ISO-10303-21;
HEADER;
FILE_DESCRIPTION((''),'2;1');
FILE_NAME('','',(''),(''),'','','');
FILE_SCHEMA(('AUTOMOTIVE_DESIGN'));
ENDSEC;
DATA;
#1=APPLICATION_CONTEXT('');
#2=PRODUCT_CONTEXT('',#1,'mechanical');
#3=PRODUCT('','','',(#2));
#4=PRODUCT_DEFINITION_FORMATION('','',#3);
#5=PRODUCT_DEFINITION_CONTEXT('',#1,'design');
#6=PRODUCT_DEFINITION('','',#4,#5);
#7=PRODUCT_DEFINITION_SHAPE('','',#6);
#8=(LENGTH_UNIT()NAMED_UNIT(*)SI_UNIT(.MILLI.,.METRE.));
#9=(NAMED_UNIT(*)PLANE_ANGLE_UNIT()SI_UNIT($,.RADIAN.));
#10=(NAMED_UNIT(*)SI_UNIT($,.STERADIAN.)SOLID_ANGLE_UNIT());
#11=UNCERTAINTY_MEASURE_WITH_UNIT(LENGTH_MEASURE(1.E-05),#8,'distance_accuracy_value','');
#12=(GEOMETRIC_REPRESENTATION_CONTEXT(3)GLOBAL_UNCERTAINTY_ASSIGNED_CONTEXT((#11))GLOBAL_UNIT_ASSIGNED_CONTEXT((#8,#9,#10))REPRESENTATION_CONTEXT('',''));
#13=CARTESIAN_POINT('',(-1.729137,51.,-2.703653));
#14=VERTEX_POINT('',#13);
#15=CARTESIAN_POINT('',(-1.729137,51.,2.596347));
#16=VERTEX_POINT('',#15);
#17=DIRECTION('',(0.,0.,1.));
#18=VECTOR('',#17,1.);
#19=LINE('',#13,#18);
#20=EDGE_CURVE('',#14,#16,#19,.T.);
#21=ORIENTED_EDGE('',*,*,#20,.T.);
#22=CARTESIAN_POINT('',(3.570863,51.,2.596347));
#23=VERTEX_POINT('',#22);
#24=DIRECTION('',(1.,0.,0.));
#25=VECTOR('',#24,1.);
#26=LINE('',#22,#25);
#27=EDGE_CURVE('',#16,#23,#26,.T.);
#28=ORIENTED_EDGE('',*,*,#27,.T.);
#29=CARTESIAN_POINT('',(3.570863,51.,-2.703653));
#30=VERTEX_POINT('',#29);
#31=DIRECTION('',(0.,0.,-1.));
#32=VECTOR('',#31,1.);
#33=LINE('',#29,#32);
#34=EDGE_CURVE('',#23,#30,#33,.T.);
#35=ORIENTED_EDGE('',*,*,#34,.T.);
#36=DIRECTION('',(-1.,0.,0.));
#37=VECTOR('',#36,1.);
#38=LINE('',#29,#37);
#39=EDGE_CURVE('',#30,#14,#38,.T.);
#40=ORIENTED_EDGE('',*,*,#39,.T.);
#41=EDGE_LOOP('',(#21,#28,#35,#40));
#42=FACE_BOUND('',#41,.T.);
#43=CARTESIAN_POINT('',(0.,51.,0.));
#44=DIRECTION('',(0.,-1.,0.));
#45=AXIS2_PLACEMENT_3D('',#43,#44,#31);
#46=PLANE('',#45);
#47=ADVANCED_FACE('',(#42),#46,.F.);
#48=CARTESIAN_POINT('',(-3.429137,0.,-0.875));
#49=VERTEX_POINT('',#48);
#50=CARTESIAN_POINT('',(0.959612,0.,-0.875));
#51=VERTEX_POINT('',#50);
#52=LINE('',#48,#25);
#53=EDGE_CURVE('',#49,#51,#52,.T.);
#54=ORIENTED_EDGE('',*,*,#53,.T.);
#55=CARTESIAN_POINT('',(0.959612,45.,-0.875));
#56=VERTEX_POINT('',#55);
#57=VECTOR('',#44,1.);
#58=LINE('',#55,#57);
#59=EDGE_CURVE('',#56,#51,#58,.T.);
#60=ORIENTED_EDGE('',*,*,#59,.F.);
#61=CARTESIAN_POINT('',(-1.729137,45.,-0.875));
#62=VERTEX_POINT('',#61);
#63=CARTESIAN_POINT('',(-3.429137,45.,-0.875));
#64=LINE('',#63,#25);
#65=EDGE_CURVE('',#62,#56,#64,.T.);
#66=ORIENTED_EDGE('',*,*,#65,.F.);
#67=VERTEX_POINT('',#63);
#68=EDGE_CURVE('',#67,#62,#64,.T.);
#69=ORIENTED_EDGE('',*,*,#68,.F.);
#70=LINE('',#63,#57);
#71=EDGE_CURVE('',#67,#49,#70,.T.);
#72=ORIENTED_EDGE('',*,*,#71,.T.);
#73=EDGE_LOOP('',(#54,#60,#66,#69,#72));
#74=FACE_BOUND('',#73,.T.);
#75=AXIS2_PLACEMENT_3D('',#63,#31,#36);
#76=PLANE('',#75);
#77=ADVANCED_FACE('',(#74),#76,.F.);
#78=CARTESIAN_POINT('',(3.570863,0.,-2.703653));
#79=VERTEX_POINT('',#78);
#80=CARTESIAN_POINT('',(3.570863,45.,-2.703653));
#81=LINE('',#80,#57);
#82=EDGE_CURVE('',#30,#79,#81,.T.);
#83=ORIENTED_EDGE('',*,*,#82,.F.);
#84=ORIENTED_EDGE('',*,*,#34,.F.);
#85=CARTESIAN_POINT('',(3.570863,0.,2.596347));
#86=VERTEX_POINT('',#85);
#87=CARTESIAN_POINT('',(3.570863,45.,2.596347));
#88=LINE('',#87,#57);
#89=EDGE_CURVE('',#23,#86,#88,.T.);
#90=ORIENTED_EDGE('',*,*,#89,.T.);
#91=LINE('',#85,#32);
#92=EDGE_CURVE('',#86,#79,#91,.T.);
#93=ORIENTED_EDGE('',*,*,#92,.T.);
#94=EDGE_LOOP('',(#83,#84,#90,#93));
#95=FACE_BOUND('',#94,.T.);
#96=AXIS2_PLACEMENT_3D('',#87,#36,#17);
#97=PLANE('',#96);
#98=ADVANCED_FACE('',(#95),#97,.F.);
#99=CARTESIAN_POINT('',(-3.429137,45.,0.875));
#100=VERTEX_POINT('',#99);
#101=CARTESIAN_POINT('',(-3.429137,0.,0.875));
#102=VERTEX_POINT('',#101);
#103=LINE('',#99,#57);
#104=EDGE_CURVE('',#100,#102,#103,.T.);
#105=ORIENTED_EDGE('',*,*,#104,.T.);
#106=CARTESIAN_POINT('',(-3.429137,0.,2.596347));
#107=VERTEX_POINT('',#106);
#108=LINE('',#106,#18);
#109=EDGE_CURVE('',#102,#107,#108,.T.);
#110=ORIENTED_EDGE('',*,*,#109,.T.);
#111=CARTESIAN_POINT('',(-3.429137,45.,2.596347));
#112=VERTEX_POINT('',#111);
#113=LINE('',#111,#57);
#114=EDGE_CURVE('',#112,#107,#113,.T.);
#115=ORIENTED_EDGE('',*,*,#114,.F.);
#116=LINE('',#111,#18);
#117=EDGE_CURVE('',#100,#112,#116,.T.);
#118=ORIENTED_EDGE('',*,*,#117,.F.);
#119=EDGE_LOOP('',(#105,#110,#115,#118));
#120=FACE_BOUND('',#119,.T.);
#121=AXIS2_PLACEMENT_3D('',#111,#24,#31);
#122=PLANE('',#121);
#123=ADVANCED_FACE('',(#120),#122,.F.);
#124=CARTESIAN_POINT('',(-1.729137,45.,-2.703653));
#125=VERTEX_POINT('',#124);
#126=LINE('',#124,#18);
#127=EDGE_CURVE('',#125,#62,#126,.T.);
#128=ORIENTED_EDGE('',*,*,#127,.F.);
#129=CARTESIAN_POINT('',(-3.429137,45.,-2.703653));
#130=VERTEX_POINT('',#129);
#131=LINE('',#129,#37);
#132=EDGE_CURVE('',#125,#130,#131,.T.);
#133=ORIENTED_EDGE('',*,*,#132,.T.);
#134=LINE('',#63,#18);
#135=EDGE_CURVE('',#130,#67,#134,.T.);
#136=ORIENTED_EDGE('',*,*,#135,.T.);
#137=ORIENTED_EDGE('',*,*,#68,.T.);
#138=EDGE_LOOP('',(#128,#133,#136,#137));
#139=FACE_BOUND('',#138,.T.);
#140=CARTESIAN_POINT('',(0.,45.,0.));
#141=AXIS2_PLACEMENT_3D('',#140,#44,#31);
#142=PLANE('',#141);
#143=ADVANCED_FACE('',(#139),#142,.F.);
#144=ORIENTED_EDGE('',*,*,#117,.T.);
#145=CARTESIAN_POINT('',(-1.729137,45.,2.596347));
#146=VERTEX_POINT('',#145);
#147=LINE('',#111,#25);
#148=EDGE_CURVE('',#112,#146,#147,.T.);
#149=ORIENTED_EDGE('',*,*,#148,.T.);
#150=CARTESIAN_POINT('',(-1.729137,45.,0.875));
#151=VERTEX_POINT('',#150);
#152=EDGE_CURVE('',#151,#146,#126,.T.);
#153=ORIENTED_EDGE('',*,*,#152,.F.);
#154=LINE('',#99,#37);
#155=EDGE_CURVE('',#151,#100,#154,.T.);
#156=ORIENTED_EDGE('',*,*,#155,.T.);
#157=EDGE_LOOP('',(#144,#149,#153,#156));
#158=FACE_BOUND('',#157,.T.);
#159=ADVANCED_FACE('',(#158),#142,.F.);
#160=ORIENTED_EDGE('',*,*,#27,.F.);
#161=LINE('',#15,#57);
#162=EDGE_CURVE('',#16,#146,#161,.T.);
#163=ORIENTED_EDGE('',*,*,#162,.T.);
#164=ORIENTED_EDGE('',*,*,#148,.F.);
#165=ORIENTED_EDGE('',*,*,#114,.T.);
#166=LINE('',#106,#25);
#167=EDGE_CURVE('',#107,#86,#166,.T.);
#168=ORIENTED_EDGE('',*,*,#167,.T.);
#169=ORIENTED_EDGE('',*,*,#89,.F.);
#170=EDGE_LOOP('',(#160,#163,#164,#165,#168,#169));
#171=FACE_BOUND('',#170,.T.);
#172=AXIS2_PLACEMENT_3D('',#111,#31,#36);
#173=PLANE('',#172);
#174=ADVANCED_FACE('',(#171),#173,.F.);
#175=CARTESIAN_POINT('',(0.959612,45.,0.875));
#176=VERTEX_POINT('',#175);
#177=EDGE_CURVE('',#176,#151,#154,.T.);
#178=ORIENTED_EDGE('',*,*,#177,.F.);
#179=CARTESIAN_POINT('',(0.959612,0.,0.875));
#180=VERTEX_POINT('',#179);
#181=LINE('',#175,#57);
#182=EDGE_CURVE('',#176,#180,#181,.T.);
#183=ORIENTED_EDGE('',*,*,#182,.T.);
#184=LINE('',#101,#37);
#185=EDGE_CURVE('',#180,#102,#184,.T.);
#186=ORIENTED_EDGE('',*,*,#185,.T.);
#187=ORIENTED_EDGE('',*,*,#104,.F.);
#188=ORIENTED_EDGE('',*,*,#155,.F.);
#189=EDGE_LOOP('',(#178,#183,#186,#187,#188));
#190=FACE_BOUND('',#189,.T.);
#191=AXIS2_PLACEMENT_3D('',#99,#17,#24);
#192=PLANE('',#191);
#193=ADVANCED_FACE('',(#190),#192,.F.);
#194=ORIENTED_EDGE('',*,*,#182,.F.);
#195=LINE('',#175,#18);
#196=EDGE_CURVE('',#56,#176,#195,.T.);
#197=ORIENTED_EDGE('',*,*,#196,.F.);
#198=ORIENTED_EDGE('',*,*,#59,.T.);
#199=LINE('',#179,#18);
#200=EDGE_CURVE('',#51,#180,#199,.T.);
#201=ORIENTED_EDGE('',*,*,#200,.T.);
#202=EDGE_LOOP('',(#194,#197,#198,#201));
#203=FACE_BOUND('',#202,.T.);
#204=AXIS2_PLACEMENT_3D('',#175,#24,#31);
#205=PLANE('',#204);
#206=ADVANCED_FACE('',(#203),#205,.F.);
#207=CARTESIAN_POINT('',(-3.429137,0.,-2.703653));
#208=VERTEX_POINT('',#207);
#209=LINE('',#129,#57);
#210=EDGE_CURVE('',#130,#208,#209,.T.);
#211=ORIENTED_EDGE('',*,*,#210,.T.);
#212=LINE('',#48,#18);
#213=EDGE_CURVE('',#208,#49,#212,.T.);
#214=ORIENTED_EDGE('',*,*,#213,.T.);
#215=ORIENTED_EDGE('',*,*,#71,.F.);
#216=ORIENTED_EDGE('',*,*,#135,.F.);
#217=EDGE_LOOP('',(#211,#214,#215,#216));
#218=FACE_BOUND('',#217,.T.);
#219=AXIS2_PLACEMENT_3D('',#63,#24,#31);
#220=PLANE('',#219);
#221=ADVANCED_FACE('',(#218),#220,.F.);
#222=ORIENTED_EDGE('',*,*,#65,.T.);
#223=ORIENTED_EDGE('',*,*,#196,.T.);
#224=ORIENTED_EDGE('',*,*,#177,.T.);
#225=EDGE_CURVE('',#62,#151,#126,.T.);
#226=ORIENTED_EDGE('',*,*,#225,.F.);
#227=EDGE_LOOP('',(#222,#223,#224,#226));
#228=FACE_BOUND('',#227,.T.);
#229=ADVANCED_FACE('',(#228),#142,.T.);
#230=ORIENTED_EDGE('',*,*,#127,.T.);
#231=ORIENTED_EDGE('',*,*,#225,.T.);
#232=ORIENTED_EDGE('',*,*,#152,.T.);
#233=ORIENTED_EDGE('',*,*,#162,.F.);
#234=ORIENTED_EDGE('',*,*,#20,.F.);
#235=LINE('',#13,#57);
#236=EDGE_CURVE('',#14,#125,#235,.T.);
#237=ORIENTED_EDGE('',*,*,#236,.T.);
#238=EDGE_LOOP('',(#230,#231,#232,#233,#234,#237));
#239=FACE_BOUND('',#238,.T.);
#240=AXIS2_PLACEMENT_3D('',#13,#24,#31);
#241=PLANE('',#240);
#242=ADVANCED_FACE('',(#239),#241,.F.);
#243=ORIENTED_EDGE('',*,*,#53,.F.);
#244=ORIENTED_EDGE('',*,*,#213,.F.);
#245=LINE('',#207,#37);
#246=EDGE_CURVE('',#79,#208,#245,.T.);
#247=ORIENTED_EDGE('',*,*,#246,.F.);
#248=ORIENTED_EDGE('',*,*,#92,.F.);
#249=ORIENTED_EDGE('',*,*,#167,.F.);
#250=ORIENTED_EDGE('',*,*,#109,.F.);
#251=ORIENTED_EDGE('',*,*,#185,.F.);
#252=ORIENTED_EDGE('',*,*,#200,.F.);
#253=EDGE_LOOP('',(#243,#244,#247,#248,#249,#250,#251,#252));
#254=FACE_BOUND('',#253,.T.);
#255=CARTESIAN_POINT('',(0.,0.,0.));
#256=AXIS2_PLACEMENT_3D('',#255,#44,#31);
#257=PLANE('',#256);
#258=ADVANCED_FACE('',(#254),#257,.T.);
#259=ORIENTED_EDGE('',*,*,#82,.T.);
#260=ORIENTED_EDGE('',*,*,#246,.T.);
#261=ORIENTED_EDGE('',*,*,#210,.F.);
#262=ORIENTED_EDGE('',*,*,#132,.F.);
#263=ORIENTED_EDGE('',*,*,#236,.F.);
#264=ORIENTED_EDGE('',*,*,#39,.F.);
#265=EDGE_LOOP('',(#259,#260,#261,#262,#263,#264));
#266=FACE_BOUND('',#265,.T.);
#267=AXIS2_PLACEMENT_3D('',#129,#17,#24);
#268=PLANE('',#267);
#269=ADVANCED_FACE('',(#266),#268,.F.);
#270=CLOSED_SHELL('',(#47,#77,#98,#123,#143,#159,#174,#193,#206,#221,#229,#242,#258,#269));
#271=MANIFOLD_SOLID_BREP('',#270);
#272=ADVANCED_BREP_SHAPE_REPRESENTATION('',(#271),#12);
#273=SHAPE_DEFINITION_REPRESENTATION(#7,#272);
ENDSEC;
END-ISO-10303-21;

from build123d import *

# Parameters (mm, degrees)
BOSS_EXTRUDE2_DEPTH = 45
SKETCH3_W           = 5.3
SKETCH3_H           = 5.3
BOSS_EXTRUDE3_DEPTH = 6


with BuildPart() as part:
    # Sketch2 → Boss-Extrude2 (new body)
    with BuildSketch(Plane(origin=(0, 0, 0), x_dir=(1, 0, 0), z_dir=(0, 1, 0))):
        Polygon((-3.429137356, 0.875), (-3.429137356, 2.703653145), (3.570862644, 2.703653145), (3.570862644, -2.596346855), (-3.429137356, -2.596346855), (-3.429137356, -0.875), (0.959612499, -0.875), (0.959612499, 0.875), align=None)
    extrude(amount=BOSS_EXTRUDE2_DEPTH)

    # Sketch3 → Boss-Extrude3 (add)
    with BuildSketch(Plane(origin=(0, 45, 0), x_dir=(1, 0, 0), z_dir=(0, 1, 0))):
        with Locations((0.920862644, 0.053653145)):
            Rectangle(SKETCH3_W, SKETCH3_H)
    extrude(amount=BOSS_EXTRUDE3_DEPTH)


solid = part.part
